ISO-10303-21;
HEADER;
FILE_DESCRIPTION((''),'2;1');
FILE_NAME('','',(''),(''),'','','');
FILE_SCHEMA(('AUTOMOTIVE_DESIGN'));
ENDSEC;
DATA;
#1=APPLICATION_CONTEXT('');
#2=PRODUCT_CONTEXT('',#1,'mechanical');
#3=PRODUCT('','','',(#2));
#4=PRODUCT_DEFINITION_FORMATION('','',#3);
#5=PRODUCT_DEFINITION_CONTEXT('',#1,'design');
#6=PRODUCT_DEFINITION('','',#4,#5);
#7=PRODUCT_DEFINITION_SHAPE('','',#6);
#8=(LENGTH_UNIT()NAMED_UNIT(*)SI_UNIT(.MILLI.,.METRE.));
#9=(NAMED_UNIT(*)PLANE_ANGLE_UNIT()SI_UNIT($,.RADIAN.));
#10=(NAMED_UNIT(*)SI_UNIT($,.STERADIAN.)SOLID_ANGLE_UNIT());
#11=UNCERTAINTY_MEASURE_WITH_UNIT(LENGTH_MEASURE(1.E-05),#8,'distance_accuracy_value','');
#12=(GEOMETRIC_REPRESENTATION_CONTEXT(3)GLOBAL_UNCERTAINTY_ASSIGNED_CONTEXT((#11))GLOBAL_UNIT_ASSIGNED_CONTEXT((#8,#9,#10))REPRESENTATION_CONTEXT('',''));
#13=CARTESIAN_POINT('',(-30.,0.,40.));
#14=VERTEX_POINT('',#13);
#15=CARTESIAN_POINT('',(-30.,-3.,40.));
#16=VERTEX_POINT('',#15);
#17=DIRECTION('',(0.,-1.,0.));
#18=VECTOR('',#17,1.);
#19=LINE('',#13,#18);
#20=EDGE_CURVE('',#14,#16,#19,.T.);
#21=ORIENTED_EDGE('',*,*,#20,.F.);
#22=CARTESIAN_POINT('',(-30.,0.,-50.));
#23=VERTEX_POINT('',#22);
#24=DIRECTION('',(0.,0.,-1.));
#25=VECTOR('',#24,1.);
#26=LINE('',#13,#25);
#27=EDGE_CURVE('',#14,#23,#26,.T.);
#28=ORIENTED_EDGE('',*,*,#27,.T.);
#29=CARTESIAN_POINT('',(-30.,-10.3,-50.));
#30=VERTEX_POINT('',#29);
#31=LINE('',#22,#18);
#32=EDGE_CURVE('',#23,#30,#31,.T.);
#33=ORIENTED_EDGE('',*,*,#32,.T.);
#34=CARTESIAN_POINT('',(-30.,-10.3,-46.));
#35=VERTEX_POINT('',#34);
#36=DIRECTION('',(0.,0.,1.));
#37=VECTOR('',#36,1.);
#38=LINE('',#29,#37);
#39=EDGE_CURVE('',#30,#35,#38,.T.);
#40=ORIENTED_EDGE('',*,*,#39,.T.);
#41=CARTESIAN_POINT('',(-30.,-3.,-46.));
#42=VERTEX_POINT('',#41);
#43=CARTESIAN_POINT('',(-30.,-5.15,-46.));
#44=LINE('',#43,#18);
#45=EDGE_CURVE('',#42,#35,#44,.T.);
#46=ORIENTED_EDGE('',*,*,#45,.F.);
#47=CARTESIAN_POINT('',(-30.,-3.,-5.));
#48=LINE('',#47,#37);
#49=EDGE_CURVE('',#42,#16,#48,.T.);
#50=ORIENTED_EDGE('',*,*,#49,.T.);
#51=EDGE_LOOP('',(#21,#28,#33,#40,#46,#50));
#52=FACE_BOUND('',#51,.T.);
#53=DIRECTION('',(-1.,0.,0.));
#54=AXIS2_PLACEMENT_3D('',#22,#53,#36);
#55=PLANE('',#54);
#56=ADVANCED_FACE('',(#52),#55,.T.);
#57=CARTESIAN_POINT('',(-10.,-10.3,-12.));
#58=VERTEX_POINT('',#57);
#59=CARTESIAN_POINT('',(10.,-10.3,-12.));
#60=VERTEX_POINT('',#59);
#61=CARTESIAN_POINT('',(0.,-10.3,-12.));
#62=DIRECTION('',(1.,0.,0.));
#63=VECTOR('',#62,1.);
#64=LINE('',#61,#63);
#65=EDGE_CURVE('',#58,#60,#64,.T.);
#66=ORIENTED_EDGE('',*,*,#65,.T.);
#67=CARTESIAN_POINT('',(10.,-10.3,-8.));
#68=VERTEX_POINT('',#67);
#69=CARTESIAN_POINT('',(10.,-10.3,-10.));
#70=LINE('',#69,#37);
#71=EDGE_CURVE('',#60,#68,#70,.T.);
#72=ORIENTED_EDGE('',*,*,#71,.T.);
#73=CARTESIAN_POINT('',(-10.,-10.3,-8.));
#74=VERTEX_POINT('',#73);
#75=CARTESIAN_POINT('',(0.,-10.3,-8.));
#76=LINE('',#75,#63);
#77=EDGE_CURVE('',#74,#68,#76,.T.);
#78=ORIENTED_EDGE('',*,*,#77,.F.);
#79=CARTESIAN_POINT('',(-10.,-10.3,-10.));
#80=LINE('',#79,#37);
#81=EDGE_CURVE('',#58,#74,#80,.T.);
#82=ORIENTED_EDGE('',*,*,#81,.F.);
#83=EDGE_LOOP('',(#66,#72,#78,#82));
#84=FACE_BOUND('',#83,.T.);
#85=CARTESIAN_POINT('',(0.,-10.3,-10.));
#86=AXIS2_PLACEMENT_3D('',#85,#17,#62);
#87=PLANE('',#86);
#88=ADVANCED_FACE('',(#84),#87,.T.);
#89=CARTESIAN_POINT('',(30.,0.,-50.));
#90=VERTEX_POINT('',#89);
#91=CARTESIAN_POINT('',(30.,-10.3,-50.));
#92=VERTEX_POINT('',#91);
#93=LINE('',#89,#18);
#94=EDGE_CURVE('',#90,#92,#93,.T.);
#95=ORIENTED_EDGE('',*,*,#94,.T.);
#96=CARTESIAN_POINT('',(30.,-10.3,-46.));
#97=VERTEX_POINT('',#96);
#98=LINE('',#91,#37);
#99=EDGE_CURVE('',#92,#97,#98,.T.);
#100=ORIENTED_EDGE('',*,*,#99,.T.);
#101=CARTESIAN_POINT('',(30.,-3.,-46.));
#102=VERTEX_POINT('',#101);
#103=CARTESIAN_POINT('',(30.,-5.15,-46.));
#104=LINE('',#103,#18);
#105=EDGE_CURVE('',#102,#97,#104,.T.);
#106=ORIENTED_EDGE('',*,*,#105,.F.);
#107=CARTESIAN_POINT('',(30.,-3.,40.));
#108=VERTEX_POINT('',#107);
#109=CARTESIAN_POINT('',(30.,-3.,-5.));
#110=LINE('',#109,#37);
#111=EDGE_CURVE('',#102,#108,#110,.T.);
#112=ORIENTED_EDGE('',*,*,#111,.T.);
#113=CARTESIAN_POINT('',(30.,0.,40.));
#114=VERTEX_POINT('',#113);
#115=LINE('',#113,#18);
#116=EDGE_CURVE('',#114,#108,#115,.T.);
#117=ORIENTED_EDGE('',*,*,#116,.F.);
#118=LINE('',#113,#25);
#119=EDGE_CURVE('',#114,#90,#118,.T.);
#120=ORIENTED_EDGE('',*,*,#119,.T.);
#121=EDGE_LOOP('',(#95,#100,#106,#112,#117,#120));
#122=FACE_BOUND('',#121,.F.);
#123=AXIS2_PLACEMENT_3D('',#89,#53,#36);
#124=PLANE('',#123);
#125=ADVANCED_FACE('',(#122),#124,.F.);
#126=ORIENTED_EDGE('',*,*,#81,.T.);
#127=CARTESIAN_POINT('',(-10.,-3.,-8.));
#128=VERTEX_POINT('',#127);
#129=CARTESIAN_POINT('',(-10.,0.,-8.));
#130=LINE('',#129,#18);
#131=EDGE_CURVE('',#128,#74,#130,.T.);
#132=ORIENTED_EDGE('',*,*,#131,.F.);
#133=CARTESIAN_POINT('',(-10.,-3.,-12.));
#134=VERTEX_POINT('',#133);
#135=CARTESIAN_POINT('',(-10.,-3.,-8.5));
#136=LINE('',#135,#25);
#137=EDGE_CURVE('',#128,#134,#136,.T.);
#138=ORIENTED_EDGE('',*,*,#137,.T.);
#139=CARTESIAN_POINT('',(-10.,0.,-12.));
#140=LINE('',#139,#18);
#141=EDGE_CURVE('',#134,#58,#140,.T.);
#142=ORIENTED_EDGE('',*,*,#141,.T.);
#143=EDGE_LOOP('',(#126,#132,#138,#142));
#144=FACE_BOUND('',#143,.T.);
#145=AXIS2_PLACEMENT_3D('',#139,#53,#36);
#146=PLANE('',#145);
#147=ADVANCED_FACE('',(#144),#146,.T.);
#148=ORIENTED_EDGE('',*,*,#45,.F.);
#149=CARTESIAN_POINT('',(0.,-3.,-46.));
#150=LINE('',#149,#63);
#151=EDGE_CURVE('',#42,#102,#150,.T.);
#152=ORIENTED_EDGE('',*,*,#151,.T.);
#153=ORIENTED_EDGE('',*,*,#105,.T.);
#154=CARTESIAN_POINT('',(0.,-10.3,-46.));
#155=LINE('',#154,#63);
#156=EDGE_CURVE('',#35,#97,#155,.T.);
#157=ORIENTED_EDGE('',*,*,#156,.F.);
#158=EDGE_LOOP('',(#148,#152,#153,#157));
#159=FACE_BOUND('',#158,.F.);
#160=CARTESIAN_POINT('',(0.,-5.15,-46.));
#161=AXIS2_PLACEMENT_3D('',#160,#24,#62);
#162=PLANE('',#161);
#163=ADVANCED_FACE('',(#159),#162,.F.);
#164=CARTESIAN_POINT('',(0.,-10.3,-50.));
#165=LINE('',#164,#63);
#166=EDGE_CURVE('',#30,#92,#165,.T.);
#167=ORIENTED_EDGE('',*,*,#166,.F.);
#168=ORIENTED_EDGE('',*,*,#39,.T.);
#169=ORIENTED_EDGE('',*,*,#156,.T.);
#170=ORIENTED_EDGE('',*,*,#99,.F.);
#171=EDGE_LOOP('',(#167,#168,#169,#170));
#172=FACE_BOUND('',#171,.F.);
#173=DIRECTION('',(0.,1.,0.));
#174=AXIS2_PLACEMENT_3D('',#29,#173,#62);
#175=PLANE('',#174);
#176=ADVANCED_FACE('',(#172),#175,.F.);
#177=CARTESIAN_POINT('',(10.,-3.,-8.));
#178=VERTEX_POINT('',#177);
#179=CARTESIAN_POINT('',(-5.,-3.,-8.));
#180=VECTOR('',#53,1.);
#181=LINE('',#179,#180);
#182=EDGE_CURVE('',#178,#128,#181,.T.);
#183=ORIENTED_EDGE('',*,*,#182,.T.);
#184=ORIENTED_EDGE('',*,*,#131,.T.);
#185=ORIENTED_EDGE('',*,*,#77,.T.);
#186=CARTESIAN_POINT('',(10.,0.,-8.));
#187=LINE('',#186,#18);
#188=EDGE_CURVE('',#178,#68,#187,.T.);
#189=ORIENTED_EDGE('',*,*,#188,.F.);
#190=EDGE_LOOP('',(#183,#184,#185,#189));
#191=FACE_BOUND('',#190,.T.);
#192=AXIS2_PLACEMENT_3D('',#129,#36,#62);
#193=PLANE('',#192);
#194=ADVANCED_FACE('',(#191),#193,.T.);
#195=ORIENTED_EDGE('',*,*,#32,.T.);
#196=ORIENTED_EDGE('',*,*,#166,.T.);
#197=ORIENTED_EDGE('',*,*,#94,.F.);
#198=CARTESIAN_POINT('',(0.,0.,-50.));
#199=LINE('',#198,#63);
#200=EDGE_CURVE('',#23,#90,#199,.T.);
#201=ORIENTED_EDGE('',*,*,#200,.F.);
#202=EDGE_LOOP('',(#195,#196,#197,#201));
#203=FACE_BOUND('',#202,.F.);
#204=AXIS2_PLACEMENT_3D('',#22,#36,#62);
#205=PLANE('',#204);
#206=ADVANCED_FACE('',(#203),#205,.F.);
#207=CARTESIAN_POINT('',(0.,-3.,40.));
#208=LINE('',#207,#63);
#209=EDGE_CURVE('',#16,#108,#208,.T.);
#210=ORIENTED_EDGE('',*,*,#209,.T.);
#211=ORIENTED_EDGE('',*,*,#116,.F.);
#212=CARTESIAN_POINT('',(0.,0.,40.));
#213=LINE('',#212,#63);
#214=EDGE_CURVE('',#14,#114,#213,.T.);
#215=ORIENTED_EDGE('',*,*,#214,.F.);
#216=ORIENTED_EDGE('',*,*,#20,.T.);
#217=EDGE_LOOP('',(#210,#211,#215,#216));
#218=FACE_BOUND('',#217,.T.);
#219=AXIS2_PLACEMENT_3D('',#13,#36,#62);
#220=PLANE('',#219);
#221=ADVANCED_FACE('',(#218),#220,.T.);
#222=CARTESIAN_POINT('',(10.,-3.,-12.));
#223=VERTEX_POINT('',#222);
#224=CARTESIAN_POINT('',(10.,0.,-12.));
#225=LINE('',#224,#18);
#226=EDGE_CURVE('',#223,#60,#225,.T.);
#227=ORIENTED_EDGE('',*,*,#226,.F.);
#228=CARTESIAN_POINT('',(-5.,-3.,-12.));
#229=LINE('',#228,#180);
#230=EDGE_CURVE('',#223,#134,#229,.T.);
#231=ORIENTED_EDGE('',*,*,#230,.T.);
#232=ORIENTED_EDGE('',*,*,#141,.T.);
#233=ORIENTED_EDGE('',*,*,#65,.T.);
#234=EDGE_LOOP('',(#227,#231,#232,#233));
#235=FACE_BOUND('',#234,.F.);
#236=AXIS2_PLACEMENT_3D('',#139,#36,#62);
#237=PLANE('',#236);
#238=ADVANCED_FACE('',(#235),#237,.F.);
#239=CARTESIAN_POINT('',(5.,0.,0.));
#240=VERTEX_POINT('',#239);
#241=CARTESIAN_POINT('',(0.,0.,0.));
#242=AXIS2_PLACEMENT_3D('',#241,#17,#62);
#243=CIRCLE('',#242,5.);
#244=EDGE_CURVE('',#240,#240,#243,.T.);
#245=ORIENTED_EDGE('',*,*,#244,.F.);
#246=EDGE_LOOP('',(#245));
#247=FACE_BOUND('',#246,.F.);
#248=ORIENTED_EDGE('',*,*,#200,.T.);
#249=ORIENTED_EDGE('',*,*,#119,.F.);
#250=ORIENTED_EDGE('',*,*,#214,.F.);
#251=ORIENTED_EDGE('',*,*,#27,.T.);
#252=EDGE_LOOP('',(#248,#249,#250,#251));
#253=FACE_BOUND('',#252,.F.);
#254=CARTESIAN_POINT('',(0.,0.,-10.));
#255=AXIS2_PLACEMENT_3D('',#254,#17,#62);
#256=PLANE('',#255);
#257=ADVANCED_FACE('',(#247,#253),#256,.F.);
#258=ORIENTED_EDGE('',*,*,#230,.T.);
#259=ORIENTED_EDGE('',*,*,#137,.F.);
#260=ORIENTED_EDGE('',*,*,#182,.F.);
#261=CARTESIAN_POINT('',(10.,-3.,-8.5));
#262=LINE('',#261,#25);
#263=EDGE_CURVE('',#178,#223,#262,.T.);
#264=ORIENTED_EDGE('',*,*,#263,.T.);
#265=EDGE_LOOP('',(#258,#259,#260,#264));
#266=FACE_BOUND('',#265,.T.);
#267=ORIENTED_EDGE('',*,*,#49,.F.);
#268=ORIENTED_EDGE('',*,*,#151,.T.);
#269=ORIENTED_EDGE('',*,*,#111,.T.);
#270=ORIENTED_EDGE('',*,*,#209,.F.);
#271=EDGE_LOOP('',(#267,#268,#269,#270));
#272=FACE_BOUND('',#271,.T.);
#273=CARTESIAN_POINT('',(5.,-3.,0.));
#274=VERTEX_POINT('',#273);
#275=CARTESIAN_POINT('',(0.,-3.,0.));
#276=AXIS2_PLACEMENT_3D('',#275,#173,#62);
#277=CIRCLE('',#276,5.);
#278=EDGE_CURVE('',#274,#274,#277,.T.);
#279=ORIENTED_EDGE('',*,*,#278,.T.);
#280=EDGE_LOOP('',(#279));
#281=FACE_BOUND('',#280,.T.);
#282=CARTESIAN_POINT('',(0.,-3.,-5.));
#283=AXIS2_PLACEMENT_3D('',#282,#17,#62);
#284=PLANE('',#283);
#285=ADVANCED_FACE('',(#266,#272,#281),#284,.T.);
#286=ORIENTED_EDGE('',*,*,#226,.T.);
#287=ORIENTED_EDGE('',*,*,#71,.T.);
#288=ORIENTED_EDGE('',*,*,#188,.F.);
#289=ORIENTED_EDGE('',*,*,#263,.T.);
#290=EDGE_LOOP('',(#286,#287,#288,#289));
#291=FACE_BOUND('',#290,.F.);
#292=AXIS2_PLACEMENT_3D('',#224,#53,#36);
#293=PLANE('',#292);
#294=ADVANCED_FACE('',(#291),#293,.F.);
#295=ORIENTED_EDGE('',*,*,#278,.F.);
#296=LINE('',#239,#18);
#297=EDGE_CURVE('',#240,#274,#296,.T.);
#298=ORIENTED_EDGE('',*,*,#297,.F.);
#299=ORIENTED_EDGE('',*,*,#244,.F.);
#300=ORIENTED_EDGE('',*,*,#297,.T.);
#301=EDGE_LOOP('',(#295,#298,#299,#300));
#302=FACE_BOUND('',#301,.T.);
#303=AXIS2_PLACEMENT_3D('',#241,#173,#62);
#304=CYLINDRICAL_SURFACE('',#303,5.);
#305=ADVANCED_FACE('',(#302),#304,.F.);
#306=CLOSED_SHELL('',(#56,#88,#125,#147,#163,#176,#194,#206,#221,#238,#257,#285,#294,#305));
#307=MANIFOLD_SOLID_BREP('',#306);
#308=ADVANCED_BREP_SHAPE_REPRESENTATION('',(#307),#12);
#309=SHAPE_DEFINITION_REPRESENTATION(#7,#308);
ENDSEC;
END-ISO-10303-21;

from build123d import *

# Parameters (mm, degrees)
F0_W     = 60
F0_H     = 90
F2_DEPTH = 3
F1_R     = 5
F3_DEPTH = 25.4
F4_W     = 60
F4_H     = 10.3
F5_DEPTH = 4
F6_W     = 20
F6_H     = 4
F7_DEPTH = 10.3


with BuildPart() as f2:
    # F0 (on Front) → F2 (new body)
    with BuildSketch(Plane.XZ):
        with Locations((0, -5)):
            Rectangle(F0_W, F0_H)
    extrude(amount=F2_DEPTH)

    # F1 (on face) → F3 (cut)
    with BuildSketch(Plane.XZ):
        Circle(F1_R)
    extrude(amount=F3_DEPTH, mode=Mode.SUBTRACT)

    # F4 (on face) → F5 (join)
    with BuildSketch(Plane(origin=(0, 0, -50), x_dir=(1, 0, 0), z_dir=(0, 0, -1))):
        with Locations((0, 5.15)):
            Rectangle(F4_W, F4_H)
    extrude(amount=-F5_DEPTH)

    # F6 (on Front) → F7 (join)
    with BuildSketch(Plane.XZ):
        with Locations((0, -10)):
            Rectangle(F6_W, F6_H)
    extrude(amount=F7_DEPTH)


solid = f2.part
